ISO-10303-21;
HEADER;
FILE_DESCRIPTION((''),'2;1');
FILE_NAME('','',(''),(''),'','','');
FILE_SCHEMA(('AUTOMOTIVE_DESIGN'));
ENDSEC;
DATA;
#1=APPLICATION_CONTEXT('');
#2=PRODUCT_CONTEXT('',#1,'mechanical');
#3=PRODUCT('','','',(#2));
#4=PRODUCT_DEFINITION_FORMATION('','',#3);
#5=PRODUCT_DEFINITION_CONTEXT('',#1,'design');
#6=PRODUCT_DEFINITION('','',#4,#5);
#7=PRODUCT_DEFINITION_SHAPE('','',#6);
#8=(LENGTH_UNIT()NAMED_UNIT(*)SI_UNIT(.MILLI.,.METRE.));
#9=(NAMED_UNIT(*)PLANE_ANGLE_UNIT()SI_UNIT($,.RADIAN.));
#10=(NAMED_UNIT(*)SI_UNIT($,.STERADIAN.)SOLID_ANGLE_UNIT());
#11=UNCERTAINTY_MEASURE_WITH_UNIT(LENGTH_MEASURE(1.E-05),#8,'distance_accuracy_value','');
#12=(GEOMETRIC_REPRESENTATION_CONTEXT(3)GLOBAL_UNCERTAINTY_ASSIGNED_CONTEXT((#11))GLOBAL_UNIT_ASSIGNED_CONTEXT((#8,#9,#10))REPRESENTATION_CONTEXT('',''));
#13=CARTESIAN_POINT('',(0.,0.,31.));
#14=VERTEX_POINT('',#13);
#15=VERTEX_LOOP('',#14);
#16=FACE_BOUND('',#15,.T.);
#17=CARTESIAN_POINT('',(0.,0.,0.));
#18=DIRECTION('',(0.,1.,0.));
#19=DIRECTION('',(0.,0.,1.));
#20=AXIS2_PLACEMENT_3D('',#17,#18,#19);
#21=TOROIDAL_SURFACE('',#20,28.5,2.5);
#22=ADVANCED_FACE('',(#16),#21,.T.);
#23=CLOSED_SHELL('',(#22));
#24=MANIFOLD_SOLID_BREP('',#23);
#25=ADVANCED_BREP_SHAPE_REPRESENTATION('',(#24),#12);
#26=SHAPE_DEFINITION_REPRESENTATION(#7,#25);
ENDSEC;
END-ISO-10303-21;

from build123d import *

# Parameters (mm, degrees)
SKETCH2_R = 2.5


with BuildPart() as part:
    # Sketch2 → Revolve1 (revolve)
    with BuildSketch(Plane(origin=(0, 0, 0), x_dir=(0, 0, -1), z_dir=(1, 0, 0))):
        with Locations((-28.5, 0)):
            Circle(SKETCH2_R)
    revolve(axis=Axis((0, 10.534454563, 0), (0, -1, 0)))


solid = part.part
